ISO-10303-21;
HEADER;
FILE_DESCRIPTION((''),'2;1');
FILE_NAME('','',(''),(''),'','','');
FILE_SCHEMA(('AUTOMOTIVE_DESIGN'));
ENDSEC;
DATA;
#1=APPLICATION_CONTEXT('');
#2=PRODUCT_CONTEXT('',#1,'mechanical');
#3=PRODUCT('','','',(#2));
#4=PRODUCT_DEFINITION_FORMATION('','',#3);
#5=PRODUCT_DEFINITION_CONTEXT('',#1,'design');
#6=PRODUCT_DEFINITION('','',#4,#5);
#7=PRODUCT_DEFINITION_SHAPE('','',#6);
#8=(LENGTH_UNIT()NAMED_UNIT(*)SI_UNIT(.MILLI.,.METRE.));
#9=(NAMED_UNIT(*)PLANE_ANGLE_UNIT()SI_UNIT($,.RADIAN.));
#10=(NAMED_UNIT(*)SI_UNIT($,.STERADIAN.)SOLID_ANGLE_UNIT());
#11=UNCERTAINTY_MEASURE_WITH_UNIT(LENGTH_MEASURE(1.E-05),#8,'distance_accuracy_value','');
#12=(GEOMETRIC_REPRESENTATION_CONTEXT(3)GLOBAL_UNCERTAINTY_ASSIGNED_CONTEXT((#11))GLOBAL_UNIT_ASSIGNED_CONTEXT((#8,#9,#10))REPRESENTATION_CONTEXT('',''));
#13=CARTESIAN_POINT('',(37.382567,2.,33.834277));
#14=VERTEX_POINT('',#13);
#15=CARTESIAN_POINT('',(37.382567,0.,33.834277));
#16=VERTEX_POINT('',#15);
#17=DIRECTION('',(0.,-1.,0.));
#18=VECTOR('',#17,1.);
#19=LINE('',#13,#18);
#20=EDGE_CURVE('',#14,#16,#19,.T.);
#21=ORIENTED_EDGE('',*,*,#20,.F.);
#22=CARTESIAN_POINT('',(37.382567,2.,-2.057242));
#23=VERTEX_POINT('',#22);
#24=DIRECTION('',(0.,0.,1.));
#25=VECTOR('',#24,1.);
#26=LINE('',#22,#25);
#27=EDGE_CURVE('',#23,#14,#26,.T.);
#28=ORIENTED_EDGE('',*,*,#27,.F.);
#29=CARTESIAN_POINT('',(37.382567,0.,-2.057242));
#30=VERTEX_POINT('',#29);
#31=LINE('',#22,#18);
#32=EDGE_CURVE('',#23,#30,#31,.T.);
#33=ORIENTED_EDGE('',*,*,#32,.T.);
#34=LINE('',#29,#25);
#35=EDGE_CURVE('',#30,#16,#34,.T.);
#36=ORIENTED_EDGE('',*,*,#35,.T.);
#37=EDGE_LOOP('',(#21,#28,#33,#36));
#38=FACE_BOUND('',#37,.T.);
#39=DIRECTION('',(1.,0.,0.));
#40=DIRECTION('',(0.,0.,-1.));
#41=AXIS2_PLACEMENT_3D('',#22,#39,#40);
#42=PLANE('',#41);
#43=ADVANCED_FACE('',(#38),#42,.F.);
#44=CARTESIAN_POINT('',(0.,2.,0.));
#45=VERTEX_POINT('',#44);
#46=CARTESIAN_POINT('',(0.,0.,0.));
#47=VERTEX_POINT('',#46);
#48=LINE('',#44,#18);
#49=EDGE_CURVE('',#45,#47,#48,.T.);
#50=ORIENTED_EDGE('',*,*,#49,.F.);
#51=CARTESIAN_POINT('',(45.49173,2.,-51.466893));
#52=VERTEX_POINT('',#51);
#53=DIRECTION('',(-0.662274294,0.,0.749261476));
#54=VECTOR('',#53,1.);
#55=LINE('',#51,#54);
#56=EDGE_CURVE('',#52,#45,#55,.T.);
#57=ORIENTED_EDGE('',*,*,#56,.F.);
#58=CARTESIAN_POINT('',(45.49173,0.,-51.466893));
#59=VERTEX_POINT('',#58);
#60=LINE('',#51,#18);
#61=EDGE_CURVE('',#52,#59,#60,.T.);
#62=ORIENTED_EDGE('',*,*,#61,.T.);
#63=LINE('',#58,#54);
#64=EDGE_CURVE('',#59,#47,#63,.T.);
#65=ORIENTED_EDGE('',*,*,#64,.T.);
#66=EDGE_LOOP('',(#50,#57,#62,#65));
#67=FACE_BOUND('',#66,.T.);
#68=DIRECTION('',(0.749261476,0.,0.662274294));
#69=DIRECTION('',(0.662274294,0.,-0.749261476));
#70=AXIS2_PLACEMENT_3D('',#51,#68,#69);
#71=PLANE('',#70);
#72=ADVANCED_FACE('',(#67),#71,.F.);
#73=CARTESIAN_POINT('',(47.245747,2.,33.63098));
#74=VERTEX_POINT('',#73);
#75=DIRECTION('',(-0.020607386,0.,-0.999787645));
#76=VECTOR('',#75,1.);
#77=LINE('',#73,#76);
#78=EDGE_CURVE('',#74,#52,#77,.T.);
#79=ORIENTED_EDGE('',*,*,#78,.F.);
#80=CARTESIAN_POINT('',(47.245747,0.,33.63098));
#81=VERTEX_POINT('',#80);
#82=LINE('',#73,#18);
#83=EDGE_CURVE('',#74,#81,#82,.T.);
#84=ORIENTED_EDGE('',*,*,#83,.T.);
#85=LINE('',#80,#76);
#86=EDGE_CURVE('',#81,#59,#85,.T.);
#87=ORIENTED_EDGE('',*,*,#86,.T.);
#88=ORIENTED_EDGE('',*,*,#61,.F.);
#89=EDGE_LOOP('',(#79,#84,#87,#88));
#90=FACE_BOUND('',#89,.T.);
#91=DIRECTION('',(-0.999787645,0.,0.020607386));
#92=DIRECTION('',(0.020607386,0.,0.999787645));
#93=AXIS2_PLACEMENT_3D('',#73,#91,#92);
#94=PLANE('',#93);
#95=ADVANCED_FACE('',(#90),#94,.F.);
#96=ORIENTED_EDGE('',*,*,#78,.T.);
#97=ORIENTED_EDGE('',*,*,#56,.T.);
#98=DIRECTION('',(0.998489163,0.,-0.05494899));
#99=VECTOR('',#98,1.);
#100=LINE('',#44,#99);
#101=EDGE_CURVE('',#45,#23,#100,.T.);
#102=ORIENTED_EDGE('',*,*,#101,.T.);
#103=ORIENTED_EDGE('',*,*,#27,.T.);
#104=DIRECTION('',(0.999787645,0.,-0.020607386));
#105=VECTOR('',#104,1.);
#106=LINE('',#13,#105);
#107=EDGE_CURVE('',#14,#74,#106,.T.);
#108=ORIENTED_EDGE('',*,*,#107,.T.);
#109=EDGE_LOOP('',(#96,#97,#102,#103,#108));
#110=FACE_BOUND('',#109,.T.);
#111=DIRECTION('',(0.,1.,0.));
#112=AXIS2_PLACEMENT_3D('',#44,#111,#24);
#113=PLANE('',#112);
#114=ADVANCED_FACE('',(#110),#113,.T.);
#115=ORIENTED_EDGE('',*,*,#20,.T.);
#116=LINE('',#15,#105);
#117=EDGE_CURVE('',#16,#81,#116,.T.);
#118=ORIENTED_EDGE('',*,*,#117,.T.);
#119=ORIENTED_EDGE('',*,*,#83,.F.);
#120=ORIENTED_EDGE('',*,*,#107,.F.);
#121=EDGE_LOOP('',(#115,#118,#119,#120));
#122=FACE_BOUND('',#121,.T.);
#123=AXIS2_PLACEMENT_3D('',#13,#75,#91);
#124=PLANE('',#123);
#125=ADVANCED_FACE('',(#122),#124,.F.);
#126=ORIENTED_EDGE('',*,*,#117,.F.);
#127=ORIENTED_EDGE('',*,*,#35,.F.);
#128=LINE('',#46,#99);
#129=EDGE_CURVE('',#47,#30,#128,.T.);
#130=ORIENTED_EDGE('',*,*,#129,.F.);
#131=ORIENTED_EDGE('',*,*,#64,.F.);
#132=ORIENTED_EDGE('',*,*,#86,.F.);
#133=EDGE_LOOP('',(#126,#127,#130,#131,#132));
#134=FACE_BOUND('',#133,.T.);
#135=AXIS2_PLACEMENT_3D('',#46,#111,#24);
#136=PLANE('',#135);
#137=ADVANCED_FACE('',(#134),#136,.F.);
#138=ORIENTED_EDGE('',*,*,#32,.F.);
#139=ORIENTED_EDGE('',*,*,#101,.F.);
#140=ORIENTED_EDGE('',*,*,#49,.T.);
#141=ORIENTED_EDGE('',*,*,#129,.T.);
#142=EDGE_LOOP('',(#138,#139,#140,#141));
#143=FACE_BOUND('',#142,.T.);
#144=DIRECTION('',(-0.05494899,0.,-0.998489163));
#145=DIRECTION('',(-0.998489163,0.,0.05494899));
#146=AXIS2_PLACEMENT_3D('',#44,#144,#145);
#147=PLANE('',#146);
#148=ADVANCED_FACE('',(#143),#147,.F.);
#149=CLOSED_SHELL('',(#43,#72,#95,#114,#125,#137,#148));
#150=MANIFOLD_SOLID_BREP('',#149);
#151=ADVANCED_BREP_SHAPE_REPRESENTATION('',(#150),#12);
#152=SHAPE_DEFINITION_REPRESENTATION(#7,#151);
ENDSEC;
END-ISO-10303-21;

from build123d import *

# Parameters (mm, degrees)
BOSS_EXTRU_1_DEPTH = 2


with BuildPart() as part:
    # Esquisse1 → Boss.-Extru.1 (new body)
    with BuildSketch(Plane(origin=(0, 0, 0), x_dir=(1, 0, 0), z_dir=(0, 1, 0))):
        Polygon((37.382567155, 2.05724245), (37.382567155, -33.834277238), (47.245746725, -33.630979722), (45.49172957, 51.466893337), (0, 0), align=None)
    extrude(amount=BOSS_EXTRU_1_DEPTH)


solid = part.part
